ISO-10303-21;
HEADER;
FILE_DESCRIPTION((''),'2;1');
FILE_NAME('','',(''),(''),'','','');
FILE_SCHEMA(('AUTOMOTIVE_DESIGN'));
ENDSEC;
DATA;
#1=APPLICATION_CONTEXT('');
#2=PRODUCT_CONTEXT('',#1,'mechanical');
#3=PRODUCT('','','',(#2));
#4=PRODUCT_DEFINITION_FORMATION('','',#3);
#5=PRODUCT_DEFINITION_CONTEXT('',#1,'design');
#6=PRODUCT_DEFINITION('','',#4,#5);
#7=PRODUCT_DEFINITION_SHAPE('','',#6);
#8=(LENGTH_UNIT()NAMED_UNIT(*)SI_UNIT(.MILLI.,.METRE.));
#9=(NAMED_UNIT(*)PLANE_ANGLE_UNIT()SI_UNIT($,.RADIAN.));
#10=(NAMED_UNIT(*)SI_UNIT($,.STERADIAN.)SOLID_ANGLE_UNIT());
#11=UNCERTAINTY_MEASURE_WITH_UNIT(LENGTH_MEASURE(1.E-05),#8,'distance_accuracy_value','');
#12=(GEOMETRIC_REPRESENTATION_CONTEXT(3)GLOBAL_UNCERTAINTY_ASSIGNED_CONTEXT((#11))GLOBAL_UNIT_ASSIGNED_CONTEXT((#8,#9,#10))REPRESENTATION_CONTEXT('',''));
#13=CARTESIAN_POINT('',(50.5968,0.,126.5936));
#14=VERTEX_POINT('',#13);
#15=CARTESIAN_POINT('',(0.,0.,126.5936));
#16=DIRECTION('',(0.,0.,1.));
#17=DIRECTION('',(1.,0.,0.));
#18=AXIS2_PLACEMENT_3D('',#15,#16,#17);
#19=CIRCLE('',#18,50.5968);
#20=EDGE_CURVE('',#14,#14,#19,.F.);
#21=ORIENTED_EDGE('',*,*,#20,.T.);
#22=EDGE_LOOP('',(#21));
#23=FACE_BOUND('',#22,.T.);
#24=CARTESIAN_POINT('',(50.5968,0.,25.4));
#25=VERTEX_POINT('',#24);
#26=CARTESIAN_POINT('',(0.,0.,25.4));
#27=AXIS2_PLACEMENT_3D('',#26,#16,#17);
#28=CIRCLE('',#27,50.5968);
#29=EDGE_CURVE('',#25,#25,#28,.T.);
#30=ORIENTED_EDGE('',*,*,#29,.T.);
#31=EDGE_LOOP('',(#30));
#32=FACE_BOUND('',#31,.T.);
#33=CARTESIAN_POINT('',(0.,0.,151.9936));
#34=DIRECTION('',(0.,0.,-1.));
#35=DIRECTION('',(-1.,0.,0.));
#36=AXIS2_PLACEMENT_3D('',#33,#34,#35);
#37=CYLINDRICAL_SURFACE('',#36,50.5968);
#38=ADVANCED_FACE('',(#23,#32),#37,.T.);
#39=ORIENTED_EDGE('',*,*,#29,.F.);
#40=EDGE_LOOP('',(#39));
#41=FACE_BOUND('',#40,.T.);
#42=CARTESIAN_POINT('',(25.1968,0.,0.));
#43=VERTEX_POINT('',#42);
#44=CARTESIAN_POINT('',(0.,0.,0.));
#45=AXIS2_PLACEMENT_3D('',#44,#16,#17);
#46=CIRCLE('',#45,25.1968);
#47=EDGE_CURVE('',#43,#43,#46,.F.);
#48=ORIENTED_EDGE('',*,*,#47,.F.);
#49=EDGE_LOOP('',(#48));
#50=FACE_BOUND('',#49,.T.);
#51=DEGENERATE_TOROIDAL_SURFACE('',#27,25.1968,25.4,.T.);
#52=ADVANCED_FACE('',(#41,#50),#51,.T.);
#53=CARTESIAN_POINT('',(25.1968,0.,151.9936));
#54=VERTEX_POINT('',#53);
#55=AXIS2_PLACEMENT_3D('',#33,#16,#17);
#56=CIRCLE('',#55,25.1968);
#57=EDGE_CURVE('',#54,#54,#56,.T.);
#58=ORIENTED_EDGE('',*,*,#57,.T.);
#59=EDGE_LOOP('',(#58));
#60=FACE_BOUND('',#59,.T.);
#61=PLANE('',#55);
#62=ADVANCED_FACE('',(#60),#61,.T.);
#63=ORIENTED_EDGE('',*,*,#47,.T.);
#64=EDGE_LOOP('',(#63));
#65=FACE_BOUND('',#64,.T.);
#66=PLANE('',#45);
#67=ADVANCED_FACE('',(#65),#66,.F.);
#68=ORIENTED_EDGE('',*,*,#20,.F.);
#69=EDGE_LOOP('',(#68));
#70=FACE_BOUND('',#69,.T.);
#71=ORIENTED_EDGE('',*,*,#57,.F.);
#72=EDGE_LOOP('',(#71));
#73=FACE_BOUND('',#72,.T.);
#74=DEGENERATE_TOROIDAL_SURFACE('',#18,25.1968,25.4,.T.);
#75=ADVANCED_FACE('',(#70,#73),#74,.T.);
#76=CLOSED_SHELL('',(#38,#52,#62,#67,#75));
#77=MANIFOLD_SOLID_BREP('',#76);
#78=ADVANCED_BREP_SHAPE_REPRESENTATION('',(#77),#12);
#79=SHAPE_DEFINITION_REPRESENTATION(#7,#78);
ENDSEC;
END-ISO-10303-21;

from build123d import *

# Parameters (mm, degrees)
ESQUISSE1_R        = 50.5968
BOSS_EXTRU_1_DEPTH = 151.9936
CONG_1_R           = 25.4


with BuildPart() as part:
    # Esquisse1 → Boss.-Extru.1 (new body)
    with BuildSketch(Plane.XY):
        Circle(ESQUISSE1_R)
    extrude(amount=BOSS_EXTRU_1_DEPTH)

    # Congé1
    cong_1_edges = [part.edges().sort_by_distance(p)[0] for p in [
        (-50.5968, 0, 0),
        (-50.5968, 0, 151.9936),
    ]]
    fillet(cong_1_edges, radius=CONG_1_R)


solid = part.part
